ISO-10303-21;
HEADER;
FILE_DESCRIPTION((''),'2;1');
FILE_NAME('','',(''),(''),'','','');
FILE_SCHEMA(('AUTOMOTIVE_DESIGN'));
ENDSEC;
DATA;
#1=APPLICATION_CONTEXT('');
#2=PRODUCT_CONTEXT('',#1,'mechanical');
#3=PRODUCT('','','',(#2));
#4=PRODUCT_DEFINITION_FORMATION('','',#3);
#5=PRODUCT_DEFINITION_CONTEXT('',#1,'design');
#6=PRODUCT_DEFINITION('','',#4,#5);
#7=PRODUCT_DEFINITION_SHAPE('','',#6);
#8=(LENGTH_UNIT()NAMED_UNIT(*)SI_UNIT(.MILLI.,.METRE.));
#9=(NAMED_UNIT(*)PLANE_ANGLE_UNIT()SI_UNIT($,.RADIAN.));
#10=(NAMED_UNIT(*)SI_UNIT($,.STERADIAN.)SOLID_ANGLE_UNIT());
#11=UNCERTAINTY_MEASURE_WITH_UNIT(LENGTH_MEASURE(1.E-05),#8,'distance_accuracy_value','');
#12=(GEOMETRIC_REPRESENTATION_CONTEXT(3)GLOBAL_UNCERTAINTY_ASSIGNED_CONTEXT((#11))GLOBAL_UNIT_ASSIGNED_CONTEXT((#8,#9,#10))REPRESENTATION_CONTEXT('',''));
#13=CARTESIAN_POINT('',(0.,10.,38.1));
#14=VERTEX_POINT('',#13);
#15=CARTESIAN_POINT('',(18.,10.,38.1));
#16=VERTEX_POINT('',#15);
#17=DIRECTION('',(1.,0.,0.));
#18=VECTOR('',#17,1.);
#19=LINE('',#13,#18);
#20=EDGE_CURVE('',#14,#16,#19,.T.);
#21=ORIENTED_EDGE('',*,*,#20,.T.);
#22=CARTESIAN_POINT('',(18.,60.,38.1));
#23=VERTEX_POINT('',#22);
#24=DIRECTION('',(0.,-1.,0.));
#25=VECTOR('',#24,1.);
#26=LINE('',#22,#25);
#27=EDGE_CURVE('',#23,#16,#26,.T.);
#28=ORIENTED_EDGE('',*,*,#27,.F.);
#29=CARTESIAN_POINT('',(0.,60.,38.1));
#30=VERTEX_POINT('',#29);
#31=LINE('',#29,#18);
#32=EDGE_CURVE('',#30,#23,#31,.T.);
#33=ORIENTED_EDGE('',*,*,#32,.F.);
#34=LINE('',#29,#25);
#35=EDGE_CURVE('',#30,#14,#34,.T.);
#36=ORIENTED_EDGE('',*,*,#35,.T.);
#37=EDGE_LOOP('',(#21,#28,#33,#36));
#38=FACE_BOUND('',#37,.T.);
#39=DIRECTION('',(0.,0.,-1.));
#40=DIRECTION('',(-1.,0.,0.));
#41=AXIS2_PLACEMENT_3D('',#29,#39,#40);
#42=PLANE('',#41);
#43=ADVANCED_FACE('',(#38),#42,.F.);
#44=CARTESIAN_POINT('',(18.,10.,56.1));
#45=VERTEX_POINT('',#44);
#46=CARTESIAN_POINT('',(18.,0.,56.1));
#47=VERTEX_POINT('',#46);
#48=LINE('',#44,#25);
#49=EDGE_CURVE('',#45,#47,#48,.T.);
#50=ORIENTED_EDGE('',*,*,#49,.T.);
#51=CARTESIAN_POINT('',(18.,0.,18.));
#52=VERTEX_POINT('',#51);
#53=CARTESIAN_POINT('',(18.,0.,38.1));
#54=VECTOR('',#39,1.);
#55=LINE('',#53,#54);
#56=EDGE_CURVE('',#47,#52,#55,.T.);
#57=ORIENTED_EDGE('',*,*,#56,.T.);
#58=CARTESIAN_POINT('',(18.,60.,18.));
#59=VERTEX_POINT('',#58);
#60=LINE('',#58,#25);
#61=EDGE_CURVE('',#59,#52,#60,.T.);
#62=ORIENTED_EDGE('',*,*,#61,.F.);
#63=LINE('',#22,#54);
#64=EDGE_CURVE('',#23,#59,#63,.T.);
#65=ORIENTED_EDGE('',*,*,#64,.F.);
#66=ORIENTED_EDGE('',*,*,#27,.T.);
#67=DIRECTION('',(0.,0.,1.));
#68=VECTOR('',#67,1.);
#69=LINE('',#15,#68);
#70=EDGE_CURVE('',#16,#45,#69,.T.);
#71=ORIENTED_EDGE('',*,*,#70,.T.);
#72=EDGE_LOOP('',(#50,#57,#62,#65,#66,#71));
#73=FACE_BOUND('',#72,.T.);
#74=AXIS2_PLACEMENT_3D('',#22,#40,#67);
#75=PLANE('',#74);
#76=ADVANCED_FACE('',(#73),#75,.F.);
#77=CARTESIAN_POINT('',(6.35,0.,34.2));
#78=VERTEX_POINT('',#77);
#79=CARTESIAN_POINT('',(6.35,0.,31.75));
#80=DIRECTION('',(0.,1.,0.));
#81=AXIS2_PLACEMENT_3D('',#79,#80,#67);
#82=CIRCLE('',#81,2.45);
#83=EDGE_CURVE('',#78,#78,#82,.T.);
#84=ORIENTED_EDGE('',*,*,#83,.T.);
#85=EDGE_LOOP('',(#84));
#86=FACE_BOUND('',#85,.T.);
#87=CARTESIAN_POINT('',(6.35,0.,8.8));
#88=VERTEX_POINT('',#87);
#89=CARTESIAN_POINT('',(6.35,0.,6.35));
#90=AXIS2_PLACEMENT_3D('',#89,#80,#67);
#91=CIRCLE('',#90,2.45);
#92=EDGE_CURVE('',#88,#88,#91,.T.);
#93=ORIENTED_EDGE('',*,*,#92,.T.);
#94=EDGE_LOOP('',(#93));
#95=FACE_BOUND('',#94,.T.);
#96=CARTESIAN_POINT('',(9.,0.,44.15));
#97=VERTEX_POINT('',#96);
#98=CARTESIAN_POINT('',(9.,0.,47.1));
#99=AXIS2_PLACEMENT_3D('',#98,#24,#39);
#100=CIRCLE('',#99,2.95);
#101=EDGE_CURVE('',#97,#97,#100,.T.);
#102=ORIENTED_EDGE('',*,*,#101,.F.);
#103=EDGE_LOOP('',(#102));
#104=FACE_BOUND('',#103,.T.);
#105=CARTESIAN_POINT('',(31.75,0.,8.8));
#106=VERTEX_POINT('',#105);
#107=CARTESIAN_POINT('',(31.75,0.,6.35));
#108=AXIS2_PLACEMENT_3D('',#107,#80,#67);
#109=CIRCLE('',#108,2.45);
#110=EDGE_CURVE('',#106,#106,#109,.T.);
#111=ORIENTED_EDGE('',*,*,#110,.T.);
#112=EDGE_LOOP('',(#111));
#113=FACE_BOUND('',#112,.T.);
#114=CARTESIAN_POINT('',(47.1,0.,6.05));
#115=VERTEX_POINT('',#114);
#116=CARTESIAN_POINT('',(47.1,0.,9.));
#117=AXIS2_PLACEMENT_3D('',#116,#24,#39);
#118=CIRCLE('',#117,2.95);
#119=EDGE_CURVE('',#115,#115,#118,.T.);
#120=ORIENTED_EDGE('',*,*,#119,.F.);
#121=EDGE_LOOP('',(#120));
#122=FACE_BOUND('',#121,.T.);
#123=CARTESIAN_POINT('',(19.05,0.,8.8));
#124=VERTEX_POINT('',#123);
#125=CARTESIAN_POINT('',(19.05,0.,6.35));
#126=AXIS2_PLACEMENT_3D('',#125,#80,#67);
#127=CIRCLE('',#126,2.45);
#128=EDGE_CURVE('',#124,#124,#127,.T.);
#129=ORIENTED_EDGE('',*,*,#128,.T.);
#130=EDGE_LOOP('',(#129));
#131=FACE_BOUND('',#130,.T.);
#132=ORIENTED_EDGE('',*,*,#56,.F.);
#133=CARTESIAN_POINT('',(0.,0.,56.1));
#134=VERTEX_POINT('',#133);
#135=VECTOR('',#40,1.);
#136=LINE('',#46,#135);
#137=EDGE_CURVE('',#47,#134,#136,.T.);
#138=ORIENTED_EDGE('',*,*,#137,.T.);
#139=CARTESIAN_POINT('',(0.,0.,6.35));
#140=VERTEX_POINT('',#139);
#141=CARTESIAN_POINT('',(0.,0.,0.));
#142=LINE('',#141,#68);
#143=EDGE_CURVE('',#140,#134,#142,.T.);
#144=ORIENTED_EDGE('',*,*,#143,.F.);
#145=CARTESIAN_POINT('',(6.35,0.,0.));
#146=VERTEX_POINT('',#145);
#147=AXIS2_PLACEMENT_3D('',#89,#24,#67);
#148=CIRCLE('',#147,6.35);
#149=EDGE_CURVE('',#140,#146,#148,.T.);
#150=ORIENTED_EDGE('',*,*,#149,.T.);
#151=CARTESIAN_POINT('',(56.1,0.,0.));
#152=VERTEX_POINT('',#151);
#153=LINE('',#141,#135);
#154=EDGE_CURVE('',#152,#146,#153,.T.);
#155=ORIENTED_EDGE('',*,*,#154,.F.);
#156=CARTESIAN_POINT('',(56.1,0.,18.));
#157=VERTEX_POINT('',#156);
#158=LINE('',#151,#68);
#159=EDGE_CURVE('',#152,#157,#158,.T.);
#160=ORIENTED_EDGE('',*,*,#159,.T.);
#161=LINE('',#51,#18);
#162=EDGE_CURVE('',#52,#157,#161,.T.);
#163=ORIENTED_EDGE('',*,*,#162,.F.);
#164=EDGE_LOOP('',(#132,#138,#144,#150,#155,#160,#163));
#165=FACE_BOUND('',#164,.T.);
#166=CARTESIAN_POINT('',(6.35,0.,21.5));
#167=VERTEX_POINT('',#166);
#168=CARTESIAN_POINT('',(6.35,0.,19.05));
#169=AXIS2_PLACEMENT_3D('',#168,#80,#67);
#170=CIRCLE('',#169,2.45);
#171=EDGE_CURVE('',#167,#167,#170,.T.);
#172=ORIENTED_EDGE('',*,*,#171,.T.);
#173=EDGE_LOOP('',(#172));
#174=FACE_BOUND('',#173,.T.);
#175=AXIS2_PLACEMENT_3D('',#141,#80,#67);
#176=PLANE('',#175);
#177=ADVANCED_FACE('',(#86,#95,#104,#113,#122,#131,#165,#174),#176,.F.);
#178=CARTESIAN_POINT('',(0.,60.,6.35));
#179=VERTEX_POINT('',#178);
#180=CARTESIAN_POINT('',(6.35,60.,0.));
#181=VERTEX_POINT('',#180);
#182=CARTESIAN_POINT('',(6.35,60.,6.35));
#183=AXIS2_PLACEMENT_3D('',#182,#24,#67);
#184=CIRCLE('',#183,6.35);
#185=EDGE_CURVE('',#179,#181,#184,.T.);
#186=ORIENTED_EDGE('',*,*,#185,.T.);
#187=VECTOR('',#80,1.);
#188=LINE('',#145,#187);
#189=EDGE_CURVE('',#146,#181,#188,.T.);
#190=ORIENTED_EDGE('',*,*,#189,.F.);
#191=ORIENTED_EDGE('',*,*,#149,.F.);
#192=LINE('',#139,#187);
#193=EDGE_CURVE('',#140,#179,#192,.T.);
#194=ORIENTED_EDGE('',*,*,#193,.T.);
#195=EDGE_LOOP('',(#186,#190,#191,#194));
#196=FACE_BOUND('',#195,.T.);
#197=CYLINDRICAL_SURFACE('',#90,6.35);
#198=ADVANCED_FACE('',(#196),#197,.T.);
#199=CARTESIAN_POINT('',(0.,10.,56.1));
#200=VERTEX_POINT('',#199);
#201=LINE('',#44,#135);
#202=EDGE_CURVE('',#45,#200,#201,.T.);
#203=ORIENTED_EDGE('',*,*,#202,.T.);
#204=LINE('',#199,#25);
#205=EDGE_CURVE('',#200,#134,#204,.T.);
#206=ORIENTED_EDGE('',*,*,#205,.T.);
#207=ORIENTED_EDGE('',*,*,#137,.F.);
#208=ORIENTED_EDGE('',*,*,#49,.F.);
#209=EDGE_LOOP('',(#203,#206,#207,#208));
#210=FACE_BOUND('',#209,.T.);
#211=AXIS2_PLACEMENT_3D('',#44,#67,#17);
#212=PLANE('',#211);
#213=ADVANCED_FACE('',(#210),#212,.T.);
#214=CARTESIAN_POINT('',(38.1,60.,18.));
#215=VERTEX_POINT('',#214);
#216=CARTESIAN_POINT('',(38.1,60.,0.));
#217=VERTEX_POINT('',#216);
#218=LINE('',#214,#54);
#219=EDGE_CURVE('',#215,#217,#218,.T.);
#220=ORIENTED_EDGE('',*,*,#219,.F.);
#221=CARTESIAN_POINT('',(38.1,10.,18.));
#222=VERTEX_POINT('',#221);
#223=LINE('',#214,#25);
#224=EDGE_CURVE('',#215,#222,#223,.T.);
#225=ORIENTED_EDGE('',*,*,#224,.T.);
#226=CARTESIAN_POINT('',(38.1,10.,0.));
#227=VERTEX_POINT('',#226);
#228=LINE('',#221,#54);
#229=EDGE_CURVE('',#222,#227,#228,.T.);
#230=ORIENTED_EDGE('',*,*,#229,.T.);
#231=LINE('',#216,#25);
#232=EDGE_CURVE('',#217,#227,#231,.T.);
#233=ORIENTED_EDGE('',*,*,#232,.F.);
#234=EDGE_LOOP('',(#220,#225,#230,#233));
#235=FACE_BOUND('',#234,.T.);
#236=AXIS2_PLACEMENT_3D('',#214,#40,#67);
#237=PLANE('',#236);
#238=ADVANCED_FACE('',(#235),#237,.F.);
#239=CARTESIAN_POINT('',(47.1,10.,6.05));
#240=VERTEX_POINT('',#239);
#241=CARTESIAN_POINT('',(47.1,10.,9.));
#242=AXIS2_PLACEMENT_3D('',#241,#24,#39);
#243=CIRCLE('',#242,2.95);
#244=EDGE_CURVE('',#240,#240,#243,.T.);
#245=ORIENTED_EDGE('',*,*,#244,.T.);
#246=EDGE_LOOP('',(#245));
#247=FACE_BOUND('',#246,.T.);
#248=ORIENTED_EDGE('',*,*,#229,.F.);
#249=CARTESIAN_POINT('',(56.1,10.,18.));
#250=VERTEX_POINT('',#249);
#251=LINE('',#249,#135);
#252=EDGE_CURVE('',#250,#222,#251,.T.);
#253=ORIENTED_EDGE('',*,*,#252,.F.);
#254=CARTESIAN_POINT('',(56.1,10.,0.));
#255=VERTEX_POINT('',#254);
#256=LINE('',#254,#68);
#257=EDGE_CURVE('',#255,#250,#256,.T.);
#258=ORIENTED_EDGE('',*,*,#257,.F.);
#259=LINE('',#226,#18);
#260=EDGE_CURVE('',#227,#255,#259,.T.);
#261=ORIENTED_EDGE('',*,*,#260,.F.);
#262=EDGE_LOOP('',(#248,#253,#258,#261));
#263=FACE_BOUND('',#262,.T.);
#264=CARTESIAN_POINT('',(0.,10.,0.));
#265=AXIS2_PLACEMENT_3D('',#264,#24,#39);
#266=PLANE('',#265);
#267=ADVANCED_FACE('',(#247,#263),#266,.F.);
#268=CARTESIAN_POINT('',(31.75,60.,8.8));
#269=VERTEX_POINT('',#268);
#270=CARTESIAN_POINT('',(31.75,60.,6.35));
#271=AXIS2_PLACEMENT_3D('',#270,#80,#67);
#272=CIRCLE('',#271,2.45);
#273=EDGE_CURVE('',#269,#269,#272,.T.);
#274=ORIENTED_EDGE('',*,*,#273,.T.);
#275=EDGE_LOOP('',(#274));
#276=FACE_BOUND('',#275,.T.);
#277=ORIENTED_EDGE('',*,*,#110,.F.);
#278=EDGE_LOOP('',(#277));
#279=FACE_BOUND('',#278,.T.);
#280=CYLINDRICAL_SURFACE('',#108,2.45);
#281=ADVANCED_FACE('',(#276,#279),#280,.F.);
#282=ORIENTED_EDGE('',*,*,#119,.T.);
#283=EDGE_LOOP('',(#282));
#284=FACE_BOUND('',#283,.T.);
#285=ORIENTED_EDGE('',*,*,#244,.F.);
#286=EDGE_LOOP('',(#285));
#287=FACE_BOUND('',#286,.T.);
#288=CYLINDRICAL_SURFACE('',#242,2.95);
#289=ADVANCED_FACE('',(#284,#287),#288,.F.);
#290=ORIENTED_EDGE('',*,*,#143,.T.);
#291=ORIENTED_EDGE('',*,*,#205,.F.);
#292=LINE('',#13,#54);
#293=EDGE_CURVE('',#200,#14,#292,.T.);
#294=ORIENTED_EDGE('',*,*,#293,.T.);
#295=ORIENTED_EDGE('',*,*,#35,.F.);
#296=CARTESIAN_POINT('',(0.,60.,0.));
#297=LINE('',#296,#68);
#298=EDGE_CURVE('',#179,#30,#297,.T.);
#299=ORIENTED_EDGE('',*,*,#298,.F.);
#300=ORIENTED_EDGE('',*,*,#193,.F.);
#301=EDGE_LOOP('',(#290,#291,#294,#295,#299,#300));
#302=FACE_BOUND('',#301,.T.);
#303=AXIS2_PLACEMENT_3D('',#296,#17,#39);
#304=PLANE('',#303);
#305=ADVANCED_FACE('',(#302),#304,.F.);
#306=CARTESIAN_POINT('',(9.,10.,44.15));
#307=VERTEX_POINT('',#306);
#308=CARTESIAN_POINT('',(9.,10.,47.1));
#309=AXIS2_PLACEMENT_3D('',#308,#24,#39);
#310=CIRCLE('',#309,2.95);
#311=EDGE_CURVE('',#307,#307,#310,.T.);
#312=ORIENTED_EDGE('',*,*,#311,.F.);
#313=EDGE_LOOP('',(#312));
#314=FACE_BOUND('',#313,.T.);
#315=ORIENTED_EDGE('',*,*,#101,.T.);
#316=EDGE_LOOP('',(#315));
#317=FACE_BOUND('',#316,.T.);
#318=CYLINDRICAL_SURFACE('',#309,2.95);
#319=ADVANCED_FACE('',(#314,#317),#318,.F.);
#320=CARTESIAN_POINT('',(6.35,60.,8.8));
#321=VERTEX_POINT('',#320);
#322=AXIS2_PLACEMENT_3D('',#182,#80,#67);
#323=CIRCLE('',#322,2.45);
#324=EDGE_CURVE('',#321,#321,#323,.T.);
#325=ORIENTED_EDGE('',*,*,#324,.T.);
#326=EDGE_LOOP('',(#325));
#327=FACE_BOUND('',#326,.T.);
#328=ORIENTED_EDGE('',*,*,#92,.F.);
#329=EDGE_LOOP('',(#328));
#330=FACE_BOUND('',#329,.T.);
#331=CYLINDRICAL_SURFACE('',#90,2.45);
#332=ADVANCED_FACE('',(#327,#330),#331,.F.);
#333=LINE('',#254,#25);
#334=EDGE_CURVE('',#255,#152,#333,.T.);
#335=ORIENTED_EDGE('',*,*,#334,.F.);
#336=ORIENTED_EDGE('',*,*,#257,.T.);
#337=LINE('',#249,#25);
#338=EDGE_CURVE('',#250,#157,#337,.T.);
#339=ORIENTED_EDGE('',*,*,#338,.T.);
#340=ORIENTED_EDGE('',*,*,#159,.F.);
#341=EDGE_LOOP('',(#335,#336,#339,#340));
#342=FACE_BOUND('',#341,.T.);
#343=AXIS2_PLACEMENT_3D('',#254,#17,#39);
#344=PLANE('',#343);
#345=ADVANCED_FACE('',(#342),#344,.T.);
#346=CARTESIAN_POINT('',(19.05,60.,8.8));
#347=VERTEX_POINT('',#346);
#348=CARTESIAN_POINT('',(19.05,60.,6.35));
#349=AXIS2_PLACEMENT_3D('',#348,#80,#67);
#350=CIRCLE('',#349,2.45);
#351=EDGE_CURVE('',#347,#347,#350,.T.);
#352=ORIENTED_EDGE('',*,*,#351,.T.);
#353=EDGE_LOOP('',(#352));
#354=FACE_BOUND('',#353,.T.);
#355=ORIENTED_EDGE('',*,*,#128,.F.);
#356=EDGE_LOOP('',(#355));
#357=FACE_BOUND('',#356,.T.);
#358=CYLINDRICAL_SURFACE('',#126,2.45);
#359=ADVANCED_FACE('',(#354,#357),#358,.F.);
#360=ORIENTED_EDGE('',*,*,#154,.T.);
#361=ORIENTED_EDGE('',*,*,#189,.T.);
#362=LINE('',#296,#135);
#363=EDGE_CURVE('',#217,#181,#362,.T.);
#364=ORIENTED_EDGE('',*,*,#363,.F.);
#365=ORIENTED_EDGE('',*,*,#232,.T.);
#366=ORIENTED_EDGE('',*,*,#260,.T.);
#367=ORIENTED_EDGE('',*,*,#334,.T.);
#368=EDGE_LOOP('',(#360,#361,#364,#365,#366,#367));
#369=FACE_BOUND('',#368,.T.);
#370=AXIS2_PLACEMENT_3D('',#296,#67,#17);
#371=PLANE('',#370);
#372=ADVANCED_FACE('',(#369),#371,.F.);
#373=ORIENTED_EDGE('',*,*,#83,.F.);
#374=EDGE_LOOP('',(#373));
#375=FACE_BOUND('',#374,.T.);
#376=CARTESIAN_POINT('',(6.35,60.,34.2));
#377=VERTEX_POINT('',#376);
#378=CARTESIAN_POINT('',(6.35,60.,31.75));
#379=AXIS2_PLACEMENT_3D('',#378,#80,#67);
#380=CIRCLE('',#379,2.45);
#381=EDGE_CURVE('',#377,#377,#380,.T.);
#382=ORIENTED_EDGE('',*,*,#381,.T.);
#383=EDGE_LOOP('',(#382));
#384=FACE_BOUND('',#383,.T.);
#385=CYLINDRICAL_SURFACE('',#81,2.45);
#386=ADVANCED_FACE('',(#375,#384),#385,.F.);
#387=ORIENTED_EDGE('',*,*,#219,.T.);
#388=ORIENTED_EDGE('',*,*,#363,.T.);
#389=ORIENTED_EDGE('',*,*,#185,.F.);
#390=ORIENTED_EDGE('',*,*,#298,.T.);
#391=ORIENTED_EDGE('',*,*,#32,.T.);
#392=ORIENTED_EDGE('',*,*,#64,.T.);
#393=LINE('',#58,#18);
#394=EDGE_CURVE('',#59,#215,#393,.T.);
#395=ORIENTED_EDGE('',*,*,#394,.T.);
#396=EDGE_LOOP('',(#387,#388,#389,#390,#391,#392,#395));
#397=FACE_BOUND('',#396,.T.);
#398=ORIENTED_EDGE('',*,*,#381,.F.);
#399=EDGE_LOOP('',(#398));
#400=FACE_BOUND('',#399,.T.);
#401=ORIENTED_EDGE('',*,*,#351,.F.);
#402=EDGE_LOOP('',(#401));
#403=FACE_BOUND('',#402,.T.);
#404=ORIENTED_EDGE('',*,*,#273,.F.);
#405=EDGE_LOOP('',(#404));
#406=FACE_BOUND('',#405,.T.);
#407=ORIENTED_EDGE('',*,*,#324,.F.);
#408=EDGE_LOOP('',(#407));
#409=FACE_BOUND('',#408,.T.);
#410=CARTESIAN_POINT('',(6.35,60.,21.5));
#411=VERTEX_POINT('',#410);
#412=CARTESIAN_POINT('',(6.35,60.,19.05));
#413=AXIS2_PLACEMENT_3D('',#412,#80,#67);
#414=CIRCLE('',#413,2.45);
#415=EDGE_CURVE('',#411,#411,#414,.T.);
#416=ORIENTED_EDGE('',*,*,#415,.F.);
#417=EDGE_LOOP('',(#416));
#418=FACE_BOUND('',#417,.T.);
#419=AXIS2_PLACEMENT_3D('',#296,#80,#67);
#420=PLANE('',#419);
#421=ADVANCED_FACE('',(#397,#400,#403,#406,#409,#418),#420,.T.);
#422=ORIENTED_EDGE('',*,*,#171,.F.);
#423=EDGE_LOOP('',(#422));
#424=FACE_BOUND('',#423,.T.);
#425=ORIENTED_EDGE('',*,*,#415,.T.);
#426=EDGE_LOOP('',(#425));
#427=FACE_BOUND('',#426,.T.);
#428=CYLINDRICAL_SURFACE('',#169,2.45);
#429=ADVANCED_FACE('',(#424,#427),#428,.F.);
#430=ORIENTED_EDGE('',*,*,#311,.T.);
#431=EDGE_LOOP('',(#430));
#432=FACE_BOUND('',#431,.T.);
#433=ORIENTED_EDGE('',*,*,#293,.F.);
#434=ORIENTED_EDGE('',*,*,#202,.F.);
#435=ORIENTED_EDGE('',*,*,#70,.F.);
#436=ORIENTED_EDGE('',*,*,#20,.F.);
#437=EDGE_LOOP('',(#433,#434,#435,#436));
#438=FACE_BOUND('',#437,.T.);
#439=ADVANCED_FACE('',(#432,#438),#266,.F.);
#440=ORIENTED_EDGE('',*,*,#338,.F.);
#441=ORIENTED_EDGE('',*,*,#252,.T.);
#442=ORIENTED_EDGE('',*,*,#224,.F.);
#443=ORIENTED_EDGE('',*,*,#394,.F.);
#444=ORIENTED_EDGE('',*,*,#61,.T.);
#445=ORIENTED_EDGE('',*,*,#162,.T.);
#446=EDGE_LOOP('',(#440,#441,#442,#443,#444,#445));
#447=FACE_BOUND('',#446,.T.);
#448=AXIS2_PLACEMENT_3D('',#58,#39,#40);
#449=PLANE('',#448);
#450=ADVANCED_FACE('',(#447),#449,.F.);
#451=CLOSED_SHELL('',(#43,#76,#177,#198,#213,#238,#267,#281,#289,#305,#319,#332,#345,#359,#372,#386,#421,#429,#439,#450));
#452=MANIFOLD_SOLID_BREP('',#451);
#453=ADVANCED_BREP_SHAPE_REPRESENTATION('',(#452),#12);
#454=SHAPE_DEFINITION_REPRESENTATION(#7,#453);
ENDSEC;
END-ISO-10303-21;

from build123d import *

# Parameters (mm, degrees)
BOSS_EXTRUDE1_DEPTH = 60
SKETCH2_R           = 2.45
CUT_EXTRUDE1_DEPTH  = 81.642544603
CUT_EXTRUDE2_DEPTH  = 81.642544603
SKETCH4_W           = 18
SKETCH4_H           = 18
SKETCH4_R           = 2.95
BOSS_EXTRUDE2_DEPTH = 10


with BuildPart() as part:
    # Sketch1 → Boss-Extrude1 (new body)
    with BuildSketch(Plane(origin=(0, 0, 0), x_dir=(1, 0, 0), z_dir=(0, 1, 0))):
        Polygon((0, 0), (38.1, 0), (38.1, -18), (18, -18), (18, -38.1), (0, -38.1), align=None)
    extrude(amount=BOSS_EXTRUDE1_DEPTH)

    # Sketch2 → Cut-Extrude1 (cut, through all)
    with BuildSketch(Plane(origin=(0, 60, 0), x_dir=(1, 0, 0), z_dir=(0, 1, 0))):
        with Locations(Location((6.35, -6.35, 0), (0, 0, 270))):
            Circle(SKETCH2_R)
        with Locations(Location((6.35, -19.05, 0), (0, 0, 270))):
            Circle(SKETCH2_R)
        with Locations(Location((6.35, -31.75, 0), (0, 0, 270))):
            Circle(SKETCH2_R)
        with Locations(Location((19.05, -6.35, 0), (0, 0, 270))):
            Circle(SKETCH2_R)
        with Locations(Location((31.75, -6.35, 0), (0, 0, 270))):
            Circle(SKETCH2_R)
    extrude(amount=-CUT_EXTRUDE1_DEPTH, mode=Mode.SUBTRACT)

    # Sketch3 → Cut-Extrude2 (cut, through all)
    with BuildSketch(Plane(origin=(0, 60, 0), x_dir=(1, 0, 0), z_dir=(0, 1, 0))):
        with BuildLine():
            Line((0, -6.35), (-3.023343313, -6.35))
            Line((-3.023343313, -6.35), (-3.023343313, 2.931868043))
            Line((-3.023343313, 2.931868043), (6.35, 2.931868043))
            Line((6.35, 2.931868043), (6.35, 0))
            ThreePointArc((6.35, 0), (1.859871939, -1.859871939), (0, -6.35))
        make_face()
    extrude(amount=-CUT_EXTRUDE2_DEPTH, mode=Mode.SUBTRACT)

    # Sketch4 → Boss-Extrude2 (add)
    # profile 1 of 2: a face of its own
    with BuildSketch(Plane(origin=(0, 0, 0), x_dir=(-1, 0, 0), z_dir=(0, -1, 0))):
        with Locations((-9, -47.1)):
            Rectangle(SKETCH4_W, SKETCH4_H)
        with Locations(Location((-9, -47.1, 0), (0, 0, 90))):
            Circle(SKETCH4_R, mode=Mode.SUBTRACT)
    # profile 2 of 2: a face of its own
    with BuildSketch(Plane(origin=(0, 0, 0), x_dir=(-1, 0, 0), z_dir=(0, -1, 0))):
        with Locations((-47.1, -9)):
            Rectangle(SKETCH4_W, SKETCH4_H)
        with Locations(Location((-47.1, -9, 0), (0, 0, 90))):
            Circle(SKETCH4_R, mode=Mode.SUBTRACT)
    extrude(amount=-BOSS_EXTRUDE2_DEPTH)


solid = part.part
